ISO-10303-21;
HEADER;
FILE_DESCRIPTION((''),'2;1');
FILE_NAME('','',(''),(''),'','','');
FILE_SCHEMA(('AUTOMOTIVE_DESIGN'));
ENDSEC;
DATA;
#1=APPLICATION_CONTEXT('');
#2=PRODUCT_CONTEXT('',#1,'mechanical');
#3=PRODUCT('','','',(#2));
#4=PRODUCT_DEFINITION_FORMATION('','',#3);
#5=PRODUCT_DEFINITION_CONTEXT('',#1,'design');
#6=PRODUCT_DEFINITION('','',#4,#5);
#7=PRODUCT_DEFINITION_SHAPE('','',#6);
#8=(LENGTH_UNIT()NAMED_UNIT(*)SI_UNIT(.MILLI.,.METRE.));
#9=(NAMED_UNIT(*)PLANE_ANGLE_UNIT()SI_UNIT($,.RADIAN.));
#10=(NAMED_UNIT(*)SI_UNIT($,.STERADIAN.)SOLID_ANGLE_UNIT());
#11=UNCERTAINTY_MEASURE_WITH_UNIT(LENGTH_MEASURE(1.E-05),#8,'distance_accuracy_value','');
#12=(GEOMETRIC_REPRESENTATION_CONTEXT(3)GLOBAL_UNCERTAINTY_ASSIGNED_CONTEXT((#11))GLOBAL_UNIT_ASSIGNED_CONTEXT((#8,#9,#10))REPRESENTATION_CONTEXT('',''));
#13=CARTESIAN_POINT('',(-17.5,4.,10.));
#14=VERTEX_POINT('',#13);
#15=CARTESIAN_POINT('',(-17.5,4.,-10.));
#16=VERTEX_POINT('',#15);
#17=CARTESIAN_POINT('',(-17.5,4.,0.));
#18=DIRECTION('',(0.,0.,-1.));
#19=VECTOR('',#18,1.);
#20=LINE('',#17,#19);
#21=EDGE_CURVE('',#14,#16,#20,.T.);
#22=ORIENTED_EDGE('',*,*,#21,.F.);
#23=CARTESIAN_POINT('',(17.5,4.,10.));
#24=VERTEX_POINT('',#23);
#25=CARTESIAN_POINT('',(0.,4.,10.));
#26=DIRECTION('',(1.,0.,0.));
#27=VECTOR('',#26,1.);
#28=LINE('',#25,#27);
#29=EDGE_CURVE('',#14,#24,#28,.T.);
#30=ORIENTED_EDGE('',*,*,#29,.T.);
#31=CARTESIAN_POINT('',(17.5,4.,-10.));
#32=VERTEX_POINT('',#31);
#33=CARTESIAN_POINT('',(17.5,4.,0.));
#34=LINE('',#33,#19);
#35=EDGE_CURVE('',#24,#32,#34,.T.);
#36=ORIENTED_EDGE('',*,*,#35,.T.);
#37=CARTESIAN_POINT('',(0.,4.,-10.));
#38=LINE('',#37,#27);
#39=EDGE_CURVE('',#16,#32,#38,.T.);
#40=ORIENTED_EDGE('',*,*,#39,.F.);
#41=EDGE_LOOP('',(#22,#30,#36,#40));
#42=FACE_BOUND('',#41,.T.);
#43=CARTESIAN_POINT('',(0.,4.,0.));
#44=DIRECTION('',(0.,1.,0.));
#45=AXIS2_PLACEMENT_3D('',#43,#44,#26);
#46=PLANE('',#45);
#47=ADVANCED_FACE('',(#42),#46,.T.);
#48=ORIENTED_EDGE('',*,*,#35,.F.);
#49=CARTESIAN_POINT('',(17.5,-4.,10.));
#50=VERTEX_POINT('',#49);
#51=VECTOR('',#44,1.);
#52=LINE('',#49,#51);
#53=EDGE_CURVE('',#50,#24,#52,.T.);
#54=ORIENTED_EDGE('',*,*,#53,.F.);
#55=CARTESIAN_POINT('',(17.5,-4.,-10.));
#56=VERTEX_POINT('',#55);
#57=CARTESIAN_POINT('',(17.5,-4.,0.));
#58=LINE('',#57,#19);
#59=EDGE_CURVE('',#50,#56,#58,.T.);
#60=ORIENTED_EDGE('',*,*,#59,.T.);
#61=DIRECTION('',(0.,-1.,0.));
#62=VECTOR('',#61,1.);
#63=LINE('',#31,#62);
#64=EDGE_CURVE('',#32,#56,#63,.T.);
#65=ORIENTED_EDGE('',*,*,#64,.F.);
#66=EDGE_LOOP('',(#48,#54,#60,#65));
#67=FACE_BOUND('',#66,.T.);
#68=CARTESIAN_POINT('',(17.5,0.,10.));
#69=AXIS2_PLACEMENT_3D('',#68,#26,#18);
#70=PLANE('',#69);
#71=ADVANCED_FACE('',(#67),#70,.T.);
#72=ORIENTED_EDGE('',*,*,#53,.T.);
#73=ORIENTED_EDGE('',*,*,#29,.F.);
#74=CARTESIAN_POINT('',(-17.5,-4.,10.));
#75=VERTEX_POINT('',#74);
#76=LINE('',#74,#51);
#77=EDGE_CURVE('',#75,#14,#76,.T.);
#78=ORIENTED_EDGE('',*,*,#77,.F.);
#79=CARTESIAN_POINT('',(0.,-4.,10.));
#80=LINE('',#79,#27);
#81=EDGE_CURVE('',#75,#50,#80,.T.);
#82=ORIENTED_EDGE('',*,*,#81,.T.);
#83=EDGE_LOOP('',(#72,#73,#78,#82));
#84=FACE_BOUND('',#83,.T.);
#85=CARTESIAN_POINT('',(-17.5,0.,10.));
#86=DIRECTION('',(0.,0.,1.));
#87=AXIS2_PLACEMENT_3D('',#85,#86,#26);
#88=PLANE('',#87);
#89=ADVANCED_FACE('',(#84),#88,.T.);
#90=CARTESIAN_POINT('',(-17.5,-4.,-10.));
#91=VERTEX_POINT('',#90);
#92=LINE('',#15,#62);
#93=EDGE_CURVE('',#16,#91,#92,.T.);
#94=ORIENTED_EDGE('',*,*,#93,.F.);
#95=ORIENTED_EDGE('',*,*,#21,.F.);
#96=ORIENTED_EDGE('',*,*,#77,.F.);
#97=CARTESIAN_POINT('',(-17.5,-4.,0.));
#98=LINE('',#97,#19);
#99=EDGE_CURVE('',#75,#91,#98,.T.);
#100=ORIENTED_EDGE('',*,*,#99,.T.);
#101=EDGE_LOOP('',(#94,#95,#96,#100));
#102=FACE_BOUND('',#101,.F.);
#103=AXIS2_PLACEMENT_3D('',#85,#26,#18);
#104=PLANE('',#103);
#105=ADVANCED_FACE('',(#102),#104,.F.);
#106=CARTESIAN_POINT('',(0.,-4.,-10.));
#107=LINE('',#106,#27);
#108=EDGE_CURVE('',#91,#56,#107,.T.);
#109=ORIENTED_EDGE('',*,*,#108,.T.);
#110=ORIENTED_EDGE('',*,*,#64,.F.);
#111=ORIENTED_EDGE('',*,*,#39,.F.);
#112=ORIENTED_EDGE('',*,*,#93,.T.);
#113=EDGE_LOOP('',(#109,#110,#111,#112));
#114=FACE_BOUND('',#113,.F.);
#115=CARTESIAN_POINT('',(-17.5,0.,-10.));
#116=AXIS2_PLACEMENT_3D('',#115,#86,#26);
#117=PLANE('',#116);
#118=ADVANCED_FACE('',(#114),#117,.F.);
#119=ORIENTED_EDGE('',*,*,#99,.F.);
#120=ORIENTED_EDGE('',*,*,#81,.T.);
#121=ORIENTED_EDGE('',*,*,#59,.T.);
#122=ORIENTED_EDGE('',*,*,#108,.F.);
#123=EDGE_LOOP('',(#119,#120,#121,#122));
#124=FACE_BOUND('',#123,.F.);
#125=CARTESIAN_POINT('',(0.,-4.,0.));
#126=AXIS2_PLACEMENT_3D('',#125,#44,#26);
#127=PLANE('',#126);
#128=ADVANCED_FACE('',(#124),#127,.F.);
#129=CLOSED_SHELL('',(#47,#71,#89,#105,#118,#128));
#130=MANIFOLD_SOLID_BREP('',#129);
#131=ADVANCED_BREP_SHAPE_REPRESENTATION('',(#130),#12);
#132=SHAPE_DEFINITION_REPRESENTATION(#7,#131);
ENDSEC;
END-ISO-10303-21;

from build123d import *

# Parameters (mm, degrees)
SKETCH1_W           = 35
SKETCH1_H           = 20
BOSS_EXTRUDE1_DEPTH = 4


with BuildPart() as part:
    # Sketch1 → Boss-Extrude1 (new body, symmetric)
    with BuildSketch(Plane(origin=(0, 0, 0), x_dir=(1, 0, 0), z_dir=(0, 1, 0))):
        Rectangle(SKETCH1_W, SKETCH1_H)
    extrude(amount=BOSS_EXTRUDE1_DEPTH, both=True)


solid = part.part
